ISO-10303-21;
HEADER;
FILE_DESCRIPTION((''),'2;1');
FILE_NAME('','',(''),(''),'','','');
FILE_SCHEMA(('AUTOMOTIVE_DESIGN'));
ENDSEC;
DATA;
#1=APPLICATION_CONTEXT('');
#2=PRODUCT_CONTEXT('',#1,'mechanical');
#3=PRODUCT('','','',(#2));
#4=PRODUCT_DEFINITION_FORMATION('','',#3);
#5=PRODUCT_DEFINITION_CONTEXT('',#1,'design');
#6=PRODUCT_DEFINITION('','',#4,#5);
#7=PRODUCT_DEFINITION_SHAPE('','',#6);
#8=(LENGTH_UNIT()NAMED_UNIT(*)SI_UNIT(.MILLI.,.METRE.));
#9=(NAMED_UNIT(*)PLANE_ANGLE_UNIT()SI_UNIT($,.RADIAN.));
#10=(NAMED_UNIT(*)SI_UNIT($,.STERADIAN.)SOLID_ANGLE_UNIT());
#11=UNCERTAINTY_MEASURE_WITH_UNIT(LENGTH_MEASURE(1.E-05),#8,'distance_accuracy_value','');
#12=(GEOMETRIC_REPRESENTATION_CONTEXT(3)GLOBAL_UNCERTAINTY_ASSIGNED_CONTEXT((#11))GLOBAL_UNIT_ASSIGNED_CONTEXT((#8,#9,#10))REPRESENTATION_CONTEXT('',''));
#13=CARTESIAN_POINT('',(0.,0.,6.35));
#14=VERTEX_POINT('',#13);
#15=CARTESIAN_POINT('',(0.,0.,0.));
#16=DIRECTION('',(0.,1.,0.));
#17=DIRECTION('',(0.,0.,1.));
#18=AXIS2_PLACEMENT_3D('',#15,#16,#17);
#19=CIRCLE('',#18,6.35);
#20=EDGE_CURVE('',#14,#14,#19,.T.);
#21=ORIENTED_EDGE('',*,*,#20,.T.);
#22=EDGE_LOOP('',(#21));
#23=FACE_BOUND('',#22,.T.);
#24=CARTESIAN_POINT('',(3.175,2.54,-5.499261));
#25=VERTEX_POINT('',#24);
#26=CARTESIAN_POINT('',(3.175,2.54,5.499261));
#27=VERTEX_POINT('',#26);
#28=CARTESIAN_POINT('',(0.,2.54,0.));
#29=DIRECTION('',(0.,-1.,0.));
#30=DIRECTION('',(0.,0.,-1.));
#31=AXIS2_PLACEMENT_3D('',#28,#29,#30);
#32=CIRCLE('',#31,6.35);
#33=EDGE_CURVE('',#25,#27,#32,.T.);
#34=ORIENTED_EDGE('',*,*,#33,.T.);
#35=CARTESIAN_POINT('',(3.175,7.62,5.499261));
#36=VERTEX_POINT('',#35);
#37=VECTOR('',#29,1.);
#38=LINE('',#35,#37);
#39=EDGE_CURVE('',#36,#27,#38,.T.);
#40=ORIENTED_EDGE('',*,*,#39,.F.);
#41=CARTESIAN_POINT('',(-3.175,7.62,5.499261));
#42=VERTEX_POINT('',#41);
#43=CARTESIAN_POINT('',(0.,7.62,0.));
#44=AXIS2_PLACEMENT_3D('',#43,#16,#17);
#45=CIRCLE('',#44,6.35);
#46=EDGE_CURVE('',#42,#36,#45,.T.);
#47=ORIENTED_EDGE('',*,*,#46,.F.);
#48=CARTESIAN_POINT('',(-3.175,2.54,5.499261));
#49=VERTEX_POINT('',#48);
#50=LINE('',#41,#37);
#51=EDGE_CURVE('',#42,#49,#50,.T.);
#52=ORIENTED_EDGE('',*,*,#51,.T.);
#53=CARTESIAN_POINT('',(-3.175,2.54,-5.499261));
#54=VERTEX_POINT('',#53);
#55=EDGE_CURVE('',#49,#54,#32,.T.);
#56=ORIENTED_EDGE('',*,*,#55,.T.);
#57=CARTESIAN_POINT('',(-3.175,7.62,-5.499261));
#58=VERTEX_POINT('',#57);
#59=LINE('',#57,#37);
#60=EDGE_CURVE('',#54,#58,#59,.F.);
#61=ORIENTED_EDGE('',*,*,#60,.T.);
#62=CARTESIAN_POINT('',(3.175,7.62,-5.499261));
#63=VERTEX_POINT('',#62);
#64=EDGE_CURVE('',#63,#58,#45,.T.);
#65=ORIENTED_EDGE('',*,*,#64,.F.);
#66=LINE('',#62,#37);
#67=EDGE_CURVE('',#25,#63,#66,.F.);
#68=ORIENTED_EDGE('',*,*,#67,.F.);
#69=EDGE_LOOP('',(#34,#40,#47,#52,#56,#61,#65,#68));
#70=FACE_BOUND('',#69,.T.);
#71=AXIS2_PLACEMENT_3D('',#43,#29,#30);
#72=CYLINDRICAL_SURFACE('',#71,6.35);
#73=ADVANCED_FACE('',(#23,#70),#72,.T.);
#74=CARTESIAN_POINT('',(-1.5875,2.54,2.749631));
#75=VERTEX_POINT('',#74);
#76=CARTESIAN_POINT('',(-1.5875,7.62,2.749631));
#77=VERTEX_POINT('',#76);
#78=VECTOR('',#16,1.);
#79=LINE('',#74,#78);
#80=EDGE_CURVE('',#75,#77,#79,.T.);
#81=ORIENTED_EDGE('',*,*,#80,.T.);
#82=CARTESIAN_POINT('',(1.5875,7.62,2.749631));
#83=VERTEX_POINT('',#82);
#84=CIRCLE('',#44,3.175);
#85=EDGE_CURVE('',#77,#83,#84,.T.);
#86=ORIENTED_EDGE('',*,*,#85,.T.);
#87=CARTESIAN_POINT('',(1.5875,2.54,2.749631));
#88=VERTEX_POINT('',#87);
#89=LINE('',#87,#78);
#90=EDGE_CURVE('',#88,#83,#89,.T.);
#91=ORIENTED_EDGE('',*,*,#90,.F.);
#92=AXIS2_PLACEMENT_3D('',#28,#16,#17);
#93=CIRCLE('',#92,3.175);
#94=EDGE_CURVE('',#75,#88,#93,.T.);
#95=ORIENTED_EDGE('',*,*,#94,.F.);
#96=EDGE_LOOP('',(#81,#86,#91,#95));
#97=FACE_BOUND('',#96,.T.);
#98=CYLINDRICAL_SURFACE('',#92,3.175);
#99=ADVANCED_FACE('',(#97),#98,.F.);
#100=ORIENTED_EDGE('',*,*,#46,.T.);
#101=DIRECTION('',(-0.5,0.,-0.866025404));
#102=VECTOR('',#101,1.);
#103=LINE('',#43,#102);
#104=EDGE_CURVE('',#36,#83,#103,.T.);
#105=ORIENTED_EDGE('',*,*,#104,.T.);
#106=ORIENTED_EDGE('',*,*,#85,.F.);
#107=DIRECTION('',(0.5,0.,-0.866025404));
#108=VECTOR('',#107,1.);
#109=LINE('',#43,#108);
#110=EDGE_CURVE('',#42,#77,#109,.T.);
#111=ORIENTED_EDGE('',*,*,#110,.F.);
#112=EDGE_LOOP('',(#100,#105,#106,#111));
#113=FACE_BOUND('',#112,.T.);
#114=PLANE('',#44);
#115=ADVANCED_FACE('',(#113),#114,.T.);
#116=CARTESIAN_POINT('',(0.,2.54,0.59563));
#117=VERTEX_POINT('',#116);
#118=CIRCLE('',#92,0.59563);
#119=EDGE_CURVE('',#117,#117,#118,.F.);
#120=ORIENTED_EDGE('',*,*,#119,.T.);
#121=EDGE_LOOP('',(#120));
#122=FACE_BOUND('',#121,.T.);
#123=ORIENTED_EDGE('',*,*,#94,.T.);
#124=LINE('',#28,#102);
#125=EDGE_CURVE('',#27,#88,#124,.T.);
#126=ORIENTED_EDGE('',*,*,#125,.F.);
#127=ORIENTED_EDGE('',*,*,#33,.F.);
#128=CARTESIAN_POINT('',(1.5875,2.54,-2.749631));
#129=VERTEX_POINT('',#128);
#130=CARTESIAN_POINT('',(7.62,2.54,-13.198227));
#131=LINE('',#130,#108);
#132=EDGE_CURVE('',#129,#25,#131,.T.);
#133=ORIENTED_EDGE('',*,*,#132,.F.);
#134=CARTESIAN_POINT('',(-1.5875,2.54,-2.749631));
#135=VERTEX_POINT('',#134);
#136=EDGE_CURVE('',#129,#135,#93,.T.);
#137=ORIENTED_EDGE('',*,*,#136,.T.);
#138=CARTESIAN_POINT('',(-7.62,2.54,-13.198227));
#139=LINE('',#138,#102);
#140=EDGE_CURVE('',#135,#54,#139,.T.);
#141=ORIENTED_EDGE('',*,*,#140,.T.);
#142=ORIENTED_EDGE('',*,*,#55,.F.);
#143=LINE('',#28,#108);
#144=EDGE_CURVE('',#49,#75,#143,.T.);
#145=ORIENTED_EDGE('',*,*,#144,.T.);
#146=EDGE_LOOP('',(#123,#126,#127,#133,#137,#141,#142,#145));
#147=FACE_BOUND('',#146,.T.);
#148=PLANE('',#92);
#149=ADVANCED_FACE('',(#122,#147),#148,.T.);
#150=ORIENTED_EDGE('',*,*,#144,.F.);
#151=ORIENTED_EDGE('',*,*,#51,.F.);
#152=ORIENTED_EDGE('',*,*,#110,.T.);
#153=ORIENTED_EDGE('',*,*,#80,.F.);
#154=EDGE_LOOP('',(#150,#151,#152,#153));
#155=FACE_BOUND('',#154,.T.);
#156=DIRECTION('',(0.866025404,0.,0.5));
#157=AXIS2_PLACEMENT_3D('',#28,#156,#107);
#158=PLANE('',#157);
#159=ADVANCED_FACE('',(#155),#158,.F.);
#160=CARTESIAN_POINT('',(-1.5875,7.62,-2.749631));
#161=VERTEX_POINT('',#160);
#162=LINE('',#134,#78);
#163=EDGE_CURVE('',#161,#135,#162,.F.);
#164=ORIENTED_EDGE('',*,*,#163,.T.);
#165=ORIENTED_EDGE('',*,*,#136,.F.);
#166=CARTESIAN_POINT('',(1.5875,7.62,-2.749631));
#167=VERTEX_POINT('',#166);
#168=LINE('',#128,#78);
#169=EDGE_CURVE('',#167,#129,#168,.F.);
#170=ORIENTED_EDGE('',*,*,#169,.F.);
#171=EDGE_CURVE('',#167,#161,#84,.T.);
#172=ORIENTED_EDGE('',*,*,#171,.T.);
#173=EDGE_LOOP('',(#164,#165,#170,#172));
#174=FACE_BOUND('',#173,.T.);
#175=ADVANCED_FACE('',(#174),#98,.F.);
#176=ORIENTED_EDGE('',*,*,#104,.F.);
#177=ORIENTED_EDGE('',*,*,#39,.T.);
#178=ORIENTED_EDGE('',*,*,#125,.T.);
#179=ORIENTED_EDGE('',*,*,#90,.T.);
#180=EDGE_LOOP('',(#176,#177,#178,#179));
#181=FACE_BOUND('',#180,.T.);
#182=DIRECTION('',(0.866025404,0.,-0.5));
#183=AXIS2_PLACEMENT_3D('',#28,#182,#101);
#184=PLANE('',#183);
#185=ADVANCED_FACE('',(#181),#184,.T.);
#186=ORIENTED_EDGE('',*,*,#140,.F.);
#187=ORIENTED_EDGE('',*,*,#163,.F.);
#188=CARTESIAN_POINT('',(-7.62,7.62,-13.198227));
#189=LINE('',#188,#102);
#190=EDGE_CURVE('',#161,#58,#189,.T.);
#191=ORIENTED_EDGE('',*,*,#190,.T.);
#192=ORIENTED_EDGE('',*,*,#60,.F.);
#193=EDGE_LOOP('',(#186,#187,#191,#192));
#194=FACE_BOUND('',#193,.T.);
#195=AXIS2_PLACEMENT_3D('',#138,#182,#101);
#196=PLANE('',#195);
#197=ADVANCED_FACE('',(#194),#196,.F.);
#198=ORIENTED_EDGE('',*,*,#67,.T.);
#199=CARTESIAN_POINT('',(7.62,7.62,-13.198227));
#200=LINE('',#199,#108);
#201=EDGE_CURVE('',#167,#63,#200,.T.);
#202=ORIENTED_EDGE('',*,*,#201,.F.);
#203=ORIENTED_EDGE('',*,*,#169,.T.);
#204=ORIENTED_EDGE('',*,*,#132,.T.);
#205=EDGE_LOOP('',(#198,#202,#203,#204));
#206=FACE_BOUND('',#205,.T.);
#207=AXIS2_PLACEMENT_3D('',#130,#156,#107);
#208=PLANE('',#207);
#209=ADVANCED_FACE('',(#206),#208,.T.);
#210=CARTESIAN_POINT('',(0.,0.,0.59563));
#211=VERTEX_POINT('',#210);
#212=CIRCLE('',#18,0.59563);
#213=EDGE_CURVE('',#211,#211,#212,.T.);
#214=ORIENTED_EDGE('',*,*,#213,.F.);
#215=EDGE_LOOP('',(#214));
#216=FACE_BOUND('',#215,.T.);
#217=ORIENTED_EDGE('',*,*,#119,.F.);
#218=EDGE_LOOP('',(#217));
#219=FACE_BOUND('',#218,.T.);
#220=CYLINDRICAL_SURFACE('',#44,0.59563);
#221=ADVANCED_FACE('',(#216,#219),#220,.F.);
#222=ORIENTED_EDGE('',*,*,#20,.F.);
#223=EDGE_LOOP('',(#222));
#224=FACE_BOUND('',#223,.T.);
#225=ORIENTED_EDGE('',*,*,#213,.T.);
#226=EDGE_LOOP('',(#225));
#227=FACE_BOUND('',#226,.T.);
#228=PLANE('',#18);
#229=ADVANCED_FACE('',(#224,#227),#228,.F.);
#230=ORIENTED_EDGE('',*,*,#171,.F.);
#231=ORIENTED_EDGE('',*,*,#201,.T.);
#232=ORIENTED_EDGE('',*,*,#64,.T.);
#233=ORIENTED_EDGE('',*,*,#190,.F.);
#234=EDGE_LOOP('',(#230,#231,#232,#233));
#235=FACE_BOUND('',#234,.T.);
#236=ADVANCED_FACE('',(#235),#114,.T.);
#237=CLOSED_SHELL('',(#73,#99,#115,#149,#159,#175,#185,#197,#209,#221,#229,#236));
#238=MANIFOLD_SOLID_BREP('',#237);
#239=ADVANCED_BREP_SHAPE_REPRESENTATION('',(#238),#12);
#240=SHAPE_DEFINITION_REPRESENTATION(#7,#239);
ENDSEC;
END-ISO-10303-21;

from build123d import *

# Parameters (mm, degrees)
SKETCH1_R             = 6.35
BOSS_EXTRUDE1_DEPTH   = 7.62
F_0_80_TAPPED_HOLE1_D = 1.19126
SKETCH4_R             = 3.175
CUT_EXTRUDE1_DEPTH    = 5.08
CUT_EXTRUDE2_DEPTH    = 5.08


with BuildPart() as part:
    # Sketch1 → Boss-Extrude1 (new body)
    with BuildSketch(Plane(origin=(0, 0, 0), x_dir=(1, 0, 0), z_dir=(0, 1, 0))):
        Circle(SKETCH1_R)
    extrude(amount=BOSS_EXTRUDE1_DEPTH)

    # #0-80 Tapped Hole1 (through all)
    with Locations(Plane(origin=(0, 7.62, 0), x_dir=(1, 0, 0), z_dir=(0, 1, 0))):
        with Locations((0, 0)):
            Hole(F_0_80_TAPPED_HOLE1_D / 2)

    # Sketch4 → Cut-Extrude1 (cut)
    with BuildSketch(Plane(origin=(0, 7.62, 0), x_dir=(1, 0, 0), z_dir=(0, 1, 0))):
        Circle(SKETCH4_R)
    extrude(amount=-CUT_EXTRUDE1_DEPTH, mode=Mode.SUBTRACT)

    # Sketch5 → Cut-Extrude2 (cut)
    with BuildSketch(Plane(origin=(0, 7.62, 0), x_dir=(1, 0, 0), z_dir=(0, 1, 0))):
        Polygon((0, 0), (-7.62, -13.198227154), (-7.62, 13.198227154), align=None)
    cut_extrude2 = extrude(amount=-CUT_EXTRUDE2_DEPTH, mode=Mode.SUBTRACT)

    # Mirror1: Cut-Extrude2 across plane
    add(cut_extrude2.mirror(Plane(origin=(0, 0, 0), x_dir=(0, 0, 1), z_dir=(1, 0, 0))), mode=Mode.SUBTRACT)


solid = part.part
